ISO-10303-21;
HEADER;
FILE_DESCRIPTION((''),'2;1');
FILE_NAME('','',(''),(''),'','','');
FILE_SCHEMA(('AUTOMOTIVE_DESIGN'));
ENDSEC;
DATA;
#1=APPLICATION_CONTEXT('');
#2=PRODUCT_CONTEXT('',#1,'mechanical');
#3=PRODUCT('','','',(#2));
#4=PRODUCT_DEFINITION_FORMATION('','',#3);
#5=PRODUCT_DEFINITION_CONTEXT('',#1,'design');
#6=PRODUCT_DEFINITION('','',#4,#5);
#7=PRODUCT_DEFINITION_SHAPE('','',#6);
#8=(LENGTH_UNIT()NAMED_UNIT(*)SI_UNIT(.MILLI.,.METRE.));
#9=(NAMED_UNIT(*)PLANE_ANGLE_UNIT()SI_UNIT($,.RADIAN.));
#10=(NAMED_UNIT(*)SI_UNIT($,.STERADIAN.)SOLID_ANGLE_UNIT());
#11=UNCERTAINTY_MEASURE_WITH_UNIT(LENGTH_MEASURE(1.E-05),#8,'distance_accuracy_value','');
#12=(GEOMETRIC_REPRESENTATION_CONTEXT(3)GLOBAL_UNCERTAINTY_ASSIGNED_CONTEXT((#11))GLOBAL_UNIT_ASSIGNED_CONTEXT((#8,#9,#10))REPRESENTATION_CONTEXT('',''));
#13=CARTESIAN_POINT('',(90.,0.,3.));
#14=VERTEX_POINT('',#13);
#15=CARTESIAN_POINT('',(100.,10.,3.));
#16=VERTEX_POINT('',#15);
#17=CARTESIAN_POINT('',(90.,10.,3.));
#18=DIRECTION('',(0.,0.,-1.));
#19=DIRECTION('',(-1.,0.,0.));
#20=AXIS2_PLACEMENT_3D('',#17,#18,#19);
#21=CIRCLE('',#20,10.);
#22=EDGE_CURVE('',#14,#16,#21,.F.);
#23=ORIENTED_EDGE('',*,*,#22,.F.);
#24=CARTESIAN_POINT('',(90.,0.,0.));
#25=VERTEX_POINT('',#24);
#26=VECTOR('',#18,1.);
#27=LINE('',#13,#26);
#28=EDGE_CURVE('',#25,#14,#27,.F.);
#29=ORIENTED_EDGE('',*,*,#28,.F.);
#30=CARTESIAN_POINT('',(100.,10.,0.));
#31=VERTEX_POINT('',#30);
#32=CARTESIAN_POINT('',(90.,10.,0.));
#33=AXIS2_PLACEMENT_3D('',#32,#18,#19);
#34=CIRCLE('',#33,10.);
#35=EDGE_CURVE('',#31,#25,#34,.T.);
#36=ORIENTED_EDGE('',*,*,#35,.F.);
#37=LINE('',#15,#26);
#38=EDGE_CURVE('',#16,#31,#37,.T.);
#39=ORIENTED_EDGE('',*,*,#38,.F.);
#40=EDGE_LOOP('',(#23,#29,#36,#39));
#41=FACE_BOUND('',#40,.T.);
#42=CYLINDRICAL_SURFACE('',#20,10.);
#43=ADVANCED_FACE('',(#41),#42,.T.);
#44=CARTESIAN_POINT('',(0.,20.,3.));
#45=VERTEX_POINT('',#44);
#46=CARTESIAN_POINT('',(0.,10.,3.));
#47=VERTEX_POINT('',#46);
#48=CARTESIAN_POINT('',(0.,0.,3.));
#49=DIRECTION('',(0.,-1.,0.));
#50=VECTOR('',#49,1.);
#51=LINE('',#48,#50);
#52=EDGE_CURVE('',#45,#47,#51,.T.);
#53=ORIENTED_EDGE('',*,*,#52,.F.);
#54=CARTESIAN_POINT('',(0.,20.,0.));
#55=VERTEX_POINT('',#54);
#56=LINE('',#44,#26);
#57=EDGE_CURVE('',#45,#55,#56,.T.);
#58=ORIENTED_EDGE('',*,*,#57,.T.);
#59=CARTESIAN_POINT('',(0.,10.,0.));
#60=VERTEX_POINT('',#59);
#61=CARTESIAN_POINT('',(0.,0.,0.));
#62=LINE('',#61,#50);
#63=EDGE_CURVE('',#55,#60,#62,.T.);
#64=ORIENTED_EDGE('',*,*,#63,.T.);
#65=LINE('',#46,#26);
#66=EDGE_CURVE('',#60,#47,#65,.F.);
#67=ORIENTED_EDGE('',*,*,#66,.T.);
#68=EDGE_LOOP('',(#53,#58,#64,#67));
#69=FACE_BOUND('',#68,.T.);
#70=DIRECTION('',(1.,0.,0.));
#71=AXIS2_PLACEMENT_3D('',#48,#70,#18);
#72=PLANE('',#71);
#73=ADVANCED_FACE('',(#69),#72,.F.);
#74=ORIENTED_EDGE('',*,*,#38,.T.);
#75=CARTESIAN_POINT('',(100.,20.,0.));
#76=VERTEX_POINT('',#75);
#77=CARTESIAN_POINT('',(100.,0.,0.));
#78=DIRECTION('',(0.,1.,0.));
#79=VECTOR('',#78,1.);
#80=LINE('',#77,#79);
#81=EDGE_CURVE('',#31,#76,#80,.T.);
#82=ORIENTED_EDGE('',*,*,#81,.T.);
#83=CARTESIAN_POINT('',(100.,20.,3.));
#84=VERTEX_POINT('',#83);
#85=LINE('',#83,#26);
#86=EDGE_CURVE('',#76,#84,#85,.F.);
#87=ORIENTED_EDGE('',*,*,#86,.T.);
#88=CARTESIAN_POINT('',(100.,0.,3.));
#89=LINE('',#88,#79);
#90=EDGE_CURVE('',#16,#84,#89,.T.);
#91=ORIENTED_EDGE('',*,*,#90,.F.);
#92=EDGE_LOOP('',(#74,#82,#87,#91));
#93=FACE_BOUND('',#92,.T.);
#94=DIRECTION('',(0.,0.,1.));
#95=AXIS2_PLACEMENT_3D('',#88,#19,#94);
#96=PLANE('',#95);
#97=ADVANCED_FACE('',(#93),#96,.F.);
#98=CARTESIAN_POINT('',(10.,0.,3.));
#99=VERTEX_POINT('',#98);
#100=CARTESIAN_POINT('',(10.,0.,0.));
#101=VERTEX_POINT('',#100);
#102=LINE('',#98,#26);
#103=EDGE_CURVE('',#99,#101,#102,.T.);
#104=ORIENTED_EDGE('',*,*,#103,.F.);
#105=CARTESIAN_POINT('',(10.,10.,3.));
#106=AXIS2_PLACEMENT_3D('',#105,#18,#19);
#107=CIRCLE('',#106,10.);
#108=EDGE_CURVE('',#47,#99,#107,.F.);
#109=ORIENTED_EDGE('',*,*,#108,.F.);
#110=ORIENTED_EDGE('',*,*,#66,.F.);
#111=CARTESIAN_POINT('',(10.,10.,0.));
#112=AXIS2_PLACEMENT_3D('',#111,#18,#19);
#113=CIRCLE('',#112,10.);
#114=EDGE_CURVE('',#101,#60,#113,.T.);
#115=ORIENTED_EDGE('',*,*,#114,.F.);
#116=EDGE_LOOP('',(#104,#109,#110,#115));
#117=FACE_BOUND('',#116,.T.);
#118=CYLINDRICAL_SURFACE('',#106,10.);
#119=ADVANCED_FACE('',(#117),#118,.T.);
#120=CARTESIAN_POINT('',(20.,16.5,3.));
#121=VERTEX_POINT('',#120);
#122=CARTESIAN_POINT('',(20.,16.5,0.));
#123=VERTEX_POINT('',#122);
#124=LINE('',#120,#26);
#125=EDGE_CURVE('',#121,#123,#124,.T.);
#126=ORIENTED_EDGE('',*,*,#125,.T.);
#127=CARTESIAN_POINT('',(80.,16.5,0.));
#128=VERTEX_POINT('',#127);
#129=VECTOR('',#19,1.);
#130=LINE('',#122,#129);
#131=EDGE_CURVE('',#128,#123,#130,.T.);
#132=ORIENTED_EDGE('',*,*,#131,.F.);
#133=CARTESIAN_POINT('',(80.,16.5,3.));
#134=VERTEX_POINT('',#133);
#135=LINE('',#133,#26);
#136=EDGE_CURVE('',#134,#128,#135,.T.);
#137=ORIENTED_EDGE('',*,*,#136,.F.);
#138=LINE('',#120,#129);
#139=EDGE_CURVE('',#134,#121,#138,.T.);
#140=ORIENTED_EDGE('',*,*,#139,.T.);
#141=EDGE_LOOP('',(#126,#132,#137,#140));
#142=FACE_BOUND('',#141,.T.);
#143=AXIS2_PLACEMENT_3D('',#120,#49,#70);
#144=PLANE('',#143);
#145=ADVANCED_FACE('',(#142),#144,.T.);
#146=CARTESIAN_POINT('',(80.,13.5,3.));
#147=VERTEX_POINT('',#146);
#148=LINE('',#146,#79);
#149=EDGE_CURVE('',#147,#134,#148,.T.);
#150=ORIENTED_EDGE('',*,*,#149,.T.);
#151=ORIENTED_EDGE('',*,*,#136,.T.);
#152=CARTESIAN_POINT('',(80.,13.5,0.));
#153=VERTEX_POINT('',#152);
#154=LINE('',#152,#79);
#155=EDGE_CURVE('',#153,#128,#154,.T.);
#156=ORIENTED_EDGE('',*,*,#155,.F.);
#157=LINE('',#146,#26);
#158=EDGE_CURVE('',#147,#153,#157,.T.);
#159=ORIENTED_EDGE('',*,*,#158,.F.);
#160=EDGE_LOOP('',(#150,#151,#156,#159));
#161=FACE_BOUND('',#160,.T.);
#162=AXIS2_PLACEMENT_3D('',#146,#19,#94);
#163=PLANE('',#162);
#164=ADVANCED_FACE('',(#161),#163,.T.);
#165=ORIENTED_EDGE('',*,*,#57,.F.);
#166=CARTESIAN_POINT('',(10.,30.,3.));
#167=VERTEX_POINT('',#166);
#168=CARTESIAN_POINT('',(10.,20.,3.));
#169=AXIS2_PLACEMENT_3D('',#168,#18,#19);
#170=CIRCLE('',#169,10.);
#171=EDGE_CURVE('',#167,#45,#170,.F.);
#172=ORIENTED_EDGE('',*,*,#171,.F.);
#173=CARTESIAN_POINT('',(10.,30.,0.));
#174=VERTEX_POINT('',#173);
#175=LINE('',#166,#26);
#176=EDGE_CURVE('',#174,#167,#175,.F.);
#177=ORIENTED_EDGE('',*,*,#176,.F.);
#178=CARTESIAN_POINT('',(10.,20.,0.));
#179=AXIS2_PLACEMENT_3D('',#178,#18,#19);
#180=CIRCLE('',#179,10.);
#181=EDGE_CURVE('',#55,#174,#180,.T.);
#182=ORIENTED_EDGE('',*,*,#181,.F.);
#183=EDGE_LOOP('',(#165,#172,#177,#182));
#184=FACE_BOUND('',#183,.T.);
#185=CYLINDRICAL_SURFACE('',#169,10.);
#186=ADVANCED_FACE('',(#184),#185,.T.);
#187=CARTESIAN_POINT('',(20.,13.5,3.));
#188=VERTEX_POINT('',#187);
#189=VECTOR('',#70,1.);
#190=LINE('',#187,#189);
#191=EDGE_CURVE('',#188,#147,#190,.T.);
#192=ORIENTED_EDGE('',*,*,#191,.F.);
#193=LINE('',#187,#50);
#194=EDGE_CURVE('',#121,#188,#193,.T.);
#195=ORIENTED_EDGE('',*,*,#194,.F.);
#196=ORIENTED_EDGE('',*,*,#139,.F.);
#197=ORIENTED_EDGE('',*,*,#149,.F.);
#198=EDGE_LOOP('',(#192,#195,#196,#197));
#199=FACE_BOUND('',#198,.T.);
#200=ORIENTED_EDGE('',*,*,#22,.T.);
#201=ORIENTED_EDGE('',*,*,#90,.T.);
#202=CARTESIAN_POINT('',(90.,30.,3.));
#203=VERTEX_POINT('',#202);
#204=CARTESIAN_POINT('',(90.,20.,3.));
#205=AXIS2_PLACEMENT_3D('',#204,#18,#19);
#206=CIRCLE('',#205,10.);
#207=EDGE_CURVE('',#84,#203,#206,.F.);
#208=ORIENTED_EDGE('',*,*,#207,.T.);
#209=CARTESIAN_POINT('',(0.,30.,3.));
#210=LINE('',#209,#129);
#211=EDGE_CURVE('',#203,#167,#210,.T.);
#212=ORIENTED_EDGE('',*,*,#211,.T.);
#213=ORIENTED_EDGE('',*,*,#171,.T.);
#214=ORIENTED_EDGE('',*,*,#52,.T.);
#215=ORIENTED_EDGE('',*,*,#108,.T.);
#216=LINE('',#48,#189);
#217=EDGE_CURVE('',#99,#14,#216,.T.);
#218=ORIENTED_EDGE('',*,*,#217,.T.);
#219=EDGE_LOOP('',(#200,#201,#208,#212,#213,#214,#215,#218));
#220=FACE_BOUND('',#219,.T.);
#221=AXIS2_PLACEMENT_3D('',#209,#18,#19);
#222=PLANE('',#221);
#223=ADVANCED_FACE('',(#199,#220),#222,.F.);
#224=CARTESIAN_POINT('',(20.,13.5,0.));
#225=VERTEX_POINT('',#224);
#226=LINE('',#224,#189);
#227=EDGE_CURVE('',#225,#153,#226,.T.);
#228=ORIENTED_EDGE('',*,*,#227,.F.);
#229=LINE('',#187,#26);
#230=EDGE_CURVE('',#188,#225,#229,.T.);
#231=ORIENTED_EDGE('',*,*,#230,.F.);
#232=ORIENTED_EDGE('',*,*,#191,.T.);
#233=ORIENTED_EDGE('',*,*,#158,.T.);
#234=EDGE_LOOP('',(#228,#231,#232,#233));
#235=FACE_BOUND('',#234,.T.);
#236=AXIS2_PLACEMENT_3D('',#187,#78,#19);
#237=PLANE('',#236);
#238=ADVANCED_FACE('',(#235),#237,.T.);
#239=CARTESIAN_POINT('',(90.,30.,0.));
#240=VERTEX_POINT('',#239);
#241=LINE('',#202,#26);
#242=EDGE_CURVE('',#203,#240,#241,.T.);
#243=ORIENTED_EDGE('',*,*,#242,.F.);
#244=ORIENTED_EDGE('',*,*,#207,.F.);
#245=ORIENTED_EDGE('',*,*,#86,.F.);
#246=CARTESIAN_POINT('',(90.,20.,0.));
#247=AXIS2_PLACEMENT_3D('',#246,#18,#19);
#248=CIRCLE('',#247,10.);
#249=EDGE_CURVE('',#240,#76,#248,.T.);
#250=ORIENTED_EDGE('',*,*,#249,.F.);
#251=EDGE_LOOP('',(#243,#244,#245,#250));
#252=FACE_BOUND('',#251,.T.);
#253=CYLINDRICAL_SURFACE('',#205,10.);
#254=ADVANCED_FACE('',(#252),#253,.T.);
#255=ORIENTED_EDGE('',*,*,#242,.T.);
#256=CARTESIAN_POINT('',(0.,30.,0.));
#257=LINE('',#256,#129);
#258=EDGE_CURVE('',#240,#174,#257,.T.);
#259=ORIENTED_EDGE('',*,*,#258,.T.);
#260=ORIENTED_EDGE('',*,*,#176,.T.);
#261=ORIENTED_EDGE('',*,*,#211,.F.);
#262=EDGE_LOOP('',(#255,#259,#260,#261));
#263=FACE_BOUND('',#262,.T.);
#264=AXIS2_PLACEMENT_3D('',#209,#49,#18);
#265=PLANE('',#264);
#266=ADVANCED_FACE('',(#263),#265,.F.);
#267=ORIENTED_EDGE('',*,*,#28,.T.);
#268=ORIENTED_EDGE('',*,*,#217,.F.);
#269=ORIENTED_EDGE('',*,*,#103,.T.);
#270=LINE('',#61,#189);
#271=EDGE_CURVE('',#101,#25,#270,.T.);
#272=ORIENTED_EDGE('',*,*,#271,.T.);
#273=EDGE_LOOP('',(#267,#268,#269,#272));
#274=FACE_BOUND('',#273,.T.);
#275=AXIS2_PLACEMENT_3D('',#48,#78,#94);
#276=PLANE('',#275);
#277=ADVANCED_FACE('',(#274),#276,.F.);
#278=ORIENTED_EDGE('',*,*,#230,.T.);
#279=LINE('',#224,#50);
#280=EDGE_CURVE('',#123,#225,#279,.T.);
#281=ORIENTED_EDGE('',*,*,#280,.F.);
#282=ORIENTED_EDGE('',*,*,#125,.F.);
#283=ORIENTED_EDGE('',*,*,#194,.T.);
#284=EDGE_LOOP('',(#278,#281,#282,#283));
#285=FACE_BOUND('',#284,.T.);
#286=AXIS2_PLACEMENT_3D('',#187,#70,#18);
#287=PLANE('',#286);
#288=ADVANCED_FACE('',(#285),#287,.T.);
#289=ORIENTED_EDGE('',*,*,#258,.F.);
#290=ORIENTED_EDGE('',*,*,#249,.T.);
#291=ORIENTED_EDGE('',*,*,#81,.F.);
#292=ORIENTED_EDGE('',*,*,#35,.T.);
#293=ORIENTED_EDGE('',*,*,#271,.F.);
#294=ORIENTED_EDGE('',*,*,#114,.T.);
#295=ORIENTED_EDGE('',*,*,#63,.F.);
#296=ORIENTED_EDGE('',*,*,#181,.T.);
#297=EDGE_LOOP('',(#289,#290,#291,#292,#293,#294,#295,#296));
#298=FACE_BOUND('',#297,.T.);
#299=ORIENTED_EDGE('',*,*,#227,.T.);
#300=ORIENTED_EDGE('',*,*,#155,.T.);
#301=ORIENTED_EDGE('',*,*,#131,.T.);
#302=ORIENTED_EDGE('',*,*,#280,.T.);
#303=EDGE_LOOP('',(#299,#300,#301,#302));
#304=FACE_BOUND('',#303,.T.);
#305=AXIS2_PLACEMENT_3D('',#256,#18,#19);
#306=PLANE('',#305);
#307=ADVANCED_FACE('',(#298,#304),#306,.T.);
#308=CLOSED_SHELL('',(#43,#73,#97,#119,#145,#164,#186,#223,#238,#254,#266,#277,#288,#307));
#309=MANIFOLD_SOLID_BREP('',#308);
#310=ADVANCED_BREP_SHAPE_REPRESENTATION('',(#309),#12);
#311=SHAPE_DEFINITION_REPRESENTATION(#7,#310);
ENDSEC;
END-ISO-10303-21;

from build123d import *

# Parameters (mm, degrees)
SKETCH1_W           = 100
SKETCH1_H           = 30
SKETCH1_W_2         = 60
SKETCH1_H_2         = 3
BOSS_EXTRUDE1_DEPTH = 3
FILLET1_R           = 10


with BuildPart() as part:
    # Sketch1 → Boss-Extrude1 (new body)
    with BuildSketch(Plane.XY):
        with Locations((50, 15)):
            Rectangle(SKETCH1_W, SKETCH1_H)
        with Locations((50, 15)):
            Rectangle(SKETCH1_W_2, SKETCH1_H_2, mode=Mode.SUBTRACT)
    extrude(amount=BOSS_EXTRUDE1_DEPTH)

    # Fillet1
    fillet1_edges = [part.edges().sort_by_distance(p)[0] for p in [
        (0, 30, 1.5),
        (100, 30, 1.5),
        (100, 0, 1.5),
        (0, 0, 1.5),
    ]]
    fillet(fillet1_edges, radius=FILLET1_R)


solid = part.part
